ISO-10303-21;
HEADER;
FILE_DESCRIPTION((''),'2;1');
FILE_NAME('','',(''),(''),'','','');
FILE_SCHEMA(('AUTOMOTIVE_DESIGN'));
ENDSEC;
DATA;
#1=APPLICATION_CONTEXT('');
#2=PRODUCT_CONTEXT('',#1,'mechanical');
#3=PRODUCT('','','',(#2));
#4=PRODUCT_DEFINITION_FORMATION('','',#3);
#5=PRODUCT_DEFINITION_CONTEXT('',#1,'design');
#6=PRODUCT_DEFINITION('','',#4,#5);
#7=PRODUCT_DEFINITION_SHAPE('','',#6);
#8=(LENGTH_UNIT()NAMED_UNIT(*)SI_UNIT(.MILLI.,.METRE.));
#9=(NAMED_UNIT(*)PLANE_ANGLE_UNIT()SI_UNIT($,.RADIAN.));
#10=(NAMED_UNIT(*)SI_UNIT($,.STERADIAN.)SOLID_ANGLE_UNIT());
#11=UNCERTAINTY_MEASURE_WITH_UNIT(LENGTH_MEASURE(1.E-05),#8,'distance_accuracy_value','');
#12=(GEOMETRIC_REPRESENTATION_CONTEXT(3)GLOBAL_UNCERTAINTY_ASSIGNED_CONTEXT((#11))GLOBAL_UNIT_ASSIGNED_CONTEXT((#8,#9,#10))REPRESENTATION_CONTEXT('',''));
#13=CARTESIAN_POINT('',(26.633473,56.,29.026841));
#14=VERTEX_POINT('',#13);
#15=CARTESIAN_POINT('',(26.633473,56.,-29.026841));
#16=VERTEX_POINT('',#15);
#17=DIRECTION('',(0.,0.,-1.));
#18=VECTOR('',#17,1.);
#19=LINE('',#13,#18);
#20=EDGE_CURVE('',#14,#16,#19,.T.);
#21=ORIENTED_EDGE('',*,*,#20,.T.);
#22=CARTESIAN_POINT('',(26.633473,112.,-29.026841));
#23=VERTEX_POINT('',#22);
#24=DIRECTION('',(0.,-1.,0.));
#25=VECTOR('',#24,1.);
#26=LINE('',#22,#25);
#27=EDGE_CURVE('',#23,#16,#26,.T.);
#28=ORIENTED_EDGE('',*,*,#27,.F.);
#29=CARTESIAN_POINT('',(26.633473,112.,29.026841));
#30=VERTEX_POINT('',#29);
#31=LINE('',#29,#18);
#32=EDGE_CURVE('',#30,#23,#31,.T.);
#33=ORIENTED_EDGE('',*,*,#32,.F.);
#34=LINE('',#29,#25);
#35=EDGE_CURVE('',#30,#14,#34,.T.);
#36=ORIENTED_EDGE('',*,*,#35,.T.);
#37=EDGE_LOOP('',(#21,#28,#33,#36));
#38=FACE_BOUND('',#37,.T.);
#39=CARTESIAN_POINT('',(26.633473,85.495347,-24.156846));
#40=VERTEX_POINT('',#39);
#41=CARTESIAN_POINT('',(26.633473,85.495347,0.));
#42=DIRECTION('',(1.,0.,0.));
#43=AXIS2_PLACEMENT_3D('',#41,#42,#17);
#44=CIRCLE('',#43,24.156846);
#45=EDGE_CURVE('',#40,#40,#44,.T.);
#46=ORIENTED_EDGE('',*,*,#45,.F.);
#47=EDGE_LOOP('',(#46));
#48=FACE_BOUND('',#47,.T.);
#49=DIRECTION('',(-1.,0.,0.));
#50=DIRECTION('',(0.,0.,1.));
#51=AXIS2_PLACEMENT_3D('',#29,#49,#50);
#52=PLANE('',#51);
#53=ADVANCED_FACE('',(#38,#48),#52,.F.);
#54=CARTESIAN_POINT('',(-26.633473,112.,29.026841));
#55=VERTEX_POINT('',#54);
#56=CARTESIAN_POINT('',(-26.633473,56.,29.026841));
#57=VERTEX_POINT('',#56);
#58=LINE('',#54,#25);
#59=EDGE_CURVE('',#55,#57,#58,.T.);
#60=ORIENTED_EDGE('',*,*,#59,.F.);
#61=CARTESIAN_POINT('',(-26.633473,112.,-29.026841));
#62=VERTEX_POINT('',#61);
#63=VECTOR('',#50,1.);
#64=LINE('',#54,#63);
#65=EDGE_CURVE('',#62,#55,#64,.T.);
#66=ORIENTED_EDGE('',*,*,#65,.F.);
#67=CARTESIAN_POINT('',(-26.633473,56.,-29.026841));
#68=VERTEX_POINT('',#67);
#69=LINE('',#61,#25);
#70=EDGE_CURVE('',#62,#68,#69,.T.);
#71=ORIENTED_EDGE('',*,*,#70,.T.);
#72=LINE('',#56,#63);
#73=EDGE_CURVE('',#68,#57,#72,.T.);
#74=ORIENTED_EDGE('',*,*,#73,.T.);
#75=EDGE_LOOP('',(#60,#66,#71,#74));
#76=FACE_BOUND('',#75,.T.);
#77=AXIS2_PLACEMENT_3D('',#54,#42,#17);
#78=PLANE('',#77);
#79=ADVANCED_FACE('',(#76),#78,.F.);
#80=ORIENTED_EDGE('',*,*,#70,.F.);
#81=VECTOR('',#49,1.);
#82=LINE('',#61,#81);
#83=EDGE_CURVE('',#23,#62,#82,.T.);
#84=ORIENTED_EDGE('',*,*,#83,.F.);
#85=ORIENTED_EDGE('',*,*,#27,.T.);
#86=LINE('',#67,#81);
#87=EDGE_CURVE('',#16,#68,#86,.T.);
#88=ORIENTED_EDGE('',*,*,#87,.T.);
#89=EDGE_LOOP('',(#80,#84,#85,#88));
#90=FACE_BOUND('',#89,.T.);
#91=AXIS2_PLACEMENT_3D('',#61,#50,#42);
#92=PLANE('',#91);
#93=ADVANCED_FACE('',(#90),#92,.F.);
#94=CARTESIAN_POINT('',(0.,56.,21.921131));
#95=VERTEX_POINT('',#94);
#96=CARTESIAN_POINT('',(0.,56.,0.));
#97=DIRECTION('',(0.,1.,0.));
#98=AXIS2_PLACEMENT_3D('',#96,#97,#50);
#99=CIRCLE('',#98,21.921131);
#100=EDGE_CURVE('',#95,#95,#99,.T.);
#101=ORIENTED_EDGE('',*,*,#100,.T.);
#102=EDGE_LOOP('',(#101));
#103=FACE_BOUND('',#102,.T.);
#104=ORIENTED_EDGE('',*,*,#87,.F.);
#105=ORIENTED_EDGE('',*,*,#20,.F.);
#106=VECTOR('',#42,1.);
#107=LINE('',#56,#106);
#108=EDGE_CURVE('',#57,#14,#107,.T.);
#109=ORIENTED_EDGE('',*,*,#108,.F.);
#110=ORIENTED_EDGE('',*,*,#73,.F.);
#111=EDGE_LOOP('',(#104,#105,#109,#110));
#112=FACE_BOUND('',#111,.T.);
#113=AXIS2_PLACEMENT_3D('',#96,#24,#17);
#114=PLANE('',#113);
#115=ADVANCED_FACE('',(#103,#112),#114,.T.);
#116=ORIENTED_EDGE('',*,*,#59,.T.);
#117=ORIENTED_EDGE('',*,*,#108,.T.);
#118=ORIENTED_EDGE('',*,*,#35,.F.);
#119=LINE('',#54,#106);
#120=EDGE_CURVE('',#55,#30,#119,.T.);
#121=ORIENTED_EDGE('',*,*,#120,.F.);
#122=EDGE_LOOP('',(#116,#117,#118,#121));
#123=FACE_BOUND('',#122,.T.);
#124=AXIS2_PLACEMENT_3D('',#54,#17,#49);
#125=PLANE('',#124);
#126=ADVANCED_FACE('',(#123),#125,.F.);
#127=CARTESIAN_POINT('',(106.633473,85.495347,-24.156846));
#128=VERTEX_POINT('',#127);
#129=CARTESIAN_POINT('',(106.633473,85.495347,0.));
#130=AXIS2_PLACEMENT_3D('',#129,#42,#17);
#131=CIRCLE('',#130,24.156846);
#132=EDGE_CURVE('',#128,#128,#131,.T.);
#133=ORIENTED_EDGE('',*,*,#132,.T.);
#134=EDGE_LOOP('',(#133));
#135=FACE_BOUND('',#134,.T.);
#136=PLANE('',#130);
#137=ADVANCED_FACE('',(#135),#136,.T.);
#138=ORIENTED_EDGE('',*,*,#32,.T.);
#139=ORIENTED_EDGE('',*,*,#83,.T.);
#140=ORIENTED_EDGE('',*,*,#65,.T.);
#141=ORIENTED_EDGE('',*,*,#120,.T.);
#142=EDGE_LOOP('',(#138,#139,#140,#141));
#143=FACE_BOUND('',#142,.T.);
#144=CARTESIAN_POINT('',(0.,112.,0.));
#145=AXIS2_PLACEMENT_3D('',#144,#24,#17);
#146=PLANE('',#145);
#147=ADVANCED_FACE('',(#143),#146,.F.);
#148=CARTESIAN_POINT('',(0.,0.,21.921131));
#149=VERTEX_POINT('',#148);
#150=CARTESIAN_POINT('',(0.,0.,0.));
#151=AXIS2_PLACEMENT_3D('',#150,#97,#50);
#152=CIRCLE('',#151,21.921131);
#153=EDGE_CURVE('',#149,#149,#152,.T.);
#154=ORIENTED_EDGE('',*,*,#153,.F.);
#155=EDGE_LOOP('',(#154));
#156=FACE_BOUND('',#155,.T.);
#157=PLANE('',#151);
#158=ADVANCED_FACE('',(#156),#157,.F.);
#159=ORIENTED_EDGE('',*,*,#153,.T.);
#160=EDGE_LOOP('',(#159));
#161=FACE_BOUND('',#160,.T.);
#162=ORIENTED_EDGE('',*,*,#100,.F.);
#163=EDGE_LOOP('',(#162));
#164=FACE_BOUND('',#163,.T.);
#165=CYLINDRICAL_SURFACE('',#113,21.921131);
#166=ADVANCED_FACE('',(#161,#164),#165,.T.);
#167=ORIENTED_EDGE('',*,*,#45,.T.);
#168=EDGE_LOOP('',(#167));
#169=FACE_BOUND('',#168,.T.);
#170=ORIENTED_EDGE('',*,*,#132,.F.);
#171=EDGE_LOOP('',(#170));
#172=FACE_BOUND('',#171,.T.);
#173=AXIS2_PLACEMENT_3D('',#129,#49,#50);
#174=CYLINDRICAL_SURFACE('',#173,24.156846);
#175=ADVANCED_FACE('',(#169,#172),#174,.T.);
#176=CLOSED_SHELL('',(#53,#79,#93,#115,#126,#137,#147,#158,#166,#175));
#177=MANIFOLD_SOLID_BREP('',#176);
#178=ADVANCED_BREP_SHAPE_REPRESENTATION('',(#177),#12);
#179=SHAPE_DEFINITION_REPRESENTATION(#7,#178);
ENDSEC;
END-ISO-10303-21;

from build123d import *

# Parameters (mm, degrees)
SKETCH1_R           = 21.921131465
BOSS_EXTRUDE1_DEPTH = 56
SKETCH2_W           = 53.266946292
SKETCH2_H           = 58.053682116
BOSS_EXTRUDE2_DEPTH = 56
SKETCH3_R           = 24.156846208
BOSS_EXTRUDE3_DEPTH = 80


with BuildPart() as part:
    # Sketch1 → Boss-Extrude1 (new body)
    with BuildSketch(Plane(origin=(0, 0, 0), x_dir=(1, 0, 0), z_dir=(0, 1, 0))):
        with Locations(Location((0, 0, 0), (0, 0, 270))):
            Circle(SKETCH1_R)
    extrude(amount=BOSS_EXTRUDE1_DEPTH)

    # Sketch2 → Boss-Extrude2 (add)
    with BuildSketch(Plane(origin=(0, 56, 0), x_dir=(1, 0, 0), z_dir=(0, 1, 0))):
        Rectangle(SKETCH2_W, SKETCH2_H)
    extrude(amount=BOSS_EXTRUDE2_DEPTH)

    # Sketch3 → Boss-Extrude3 (add)
    with BuildSketch(Plane(origin=(26.633473146, 0, 0), x_dir=(0, 0, -1), z_dir=(1, 0, 0))):
        with Locations((0, 85.49534666)):
            Circle(SKETCH3_R)
    extrude(amount=BOSS_EXTRUDE3_DEPTH)


solid = part.part
